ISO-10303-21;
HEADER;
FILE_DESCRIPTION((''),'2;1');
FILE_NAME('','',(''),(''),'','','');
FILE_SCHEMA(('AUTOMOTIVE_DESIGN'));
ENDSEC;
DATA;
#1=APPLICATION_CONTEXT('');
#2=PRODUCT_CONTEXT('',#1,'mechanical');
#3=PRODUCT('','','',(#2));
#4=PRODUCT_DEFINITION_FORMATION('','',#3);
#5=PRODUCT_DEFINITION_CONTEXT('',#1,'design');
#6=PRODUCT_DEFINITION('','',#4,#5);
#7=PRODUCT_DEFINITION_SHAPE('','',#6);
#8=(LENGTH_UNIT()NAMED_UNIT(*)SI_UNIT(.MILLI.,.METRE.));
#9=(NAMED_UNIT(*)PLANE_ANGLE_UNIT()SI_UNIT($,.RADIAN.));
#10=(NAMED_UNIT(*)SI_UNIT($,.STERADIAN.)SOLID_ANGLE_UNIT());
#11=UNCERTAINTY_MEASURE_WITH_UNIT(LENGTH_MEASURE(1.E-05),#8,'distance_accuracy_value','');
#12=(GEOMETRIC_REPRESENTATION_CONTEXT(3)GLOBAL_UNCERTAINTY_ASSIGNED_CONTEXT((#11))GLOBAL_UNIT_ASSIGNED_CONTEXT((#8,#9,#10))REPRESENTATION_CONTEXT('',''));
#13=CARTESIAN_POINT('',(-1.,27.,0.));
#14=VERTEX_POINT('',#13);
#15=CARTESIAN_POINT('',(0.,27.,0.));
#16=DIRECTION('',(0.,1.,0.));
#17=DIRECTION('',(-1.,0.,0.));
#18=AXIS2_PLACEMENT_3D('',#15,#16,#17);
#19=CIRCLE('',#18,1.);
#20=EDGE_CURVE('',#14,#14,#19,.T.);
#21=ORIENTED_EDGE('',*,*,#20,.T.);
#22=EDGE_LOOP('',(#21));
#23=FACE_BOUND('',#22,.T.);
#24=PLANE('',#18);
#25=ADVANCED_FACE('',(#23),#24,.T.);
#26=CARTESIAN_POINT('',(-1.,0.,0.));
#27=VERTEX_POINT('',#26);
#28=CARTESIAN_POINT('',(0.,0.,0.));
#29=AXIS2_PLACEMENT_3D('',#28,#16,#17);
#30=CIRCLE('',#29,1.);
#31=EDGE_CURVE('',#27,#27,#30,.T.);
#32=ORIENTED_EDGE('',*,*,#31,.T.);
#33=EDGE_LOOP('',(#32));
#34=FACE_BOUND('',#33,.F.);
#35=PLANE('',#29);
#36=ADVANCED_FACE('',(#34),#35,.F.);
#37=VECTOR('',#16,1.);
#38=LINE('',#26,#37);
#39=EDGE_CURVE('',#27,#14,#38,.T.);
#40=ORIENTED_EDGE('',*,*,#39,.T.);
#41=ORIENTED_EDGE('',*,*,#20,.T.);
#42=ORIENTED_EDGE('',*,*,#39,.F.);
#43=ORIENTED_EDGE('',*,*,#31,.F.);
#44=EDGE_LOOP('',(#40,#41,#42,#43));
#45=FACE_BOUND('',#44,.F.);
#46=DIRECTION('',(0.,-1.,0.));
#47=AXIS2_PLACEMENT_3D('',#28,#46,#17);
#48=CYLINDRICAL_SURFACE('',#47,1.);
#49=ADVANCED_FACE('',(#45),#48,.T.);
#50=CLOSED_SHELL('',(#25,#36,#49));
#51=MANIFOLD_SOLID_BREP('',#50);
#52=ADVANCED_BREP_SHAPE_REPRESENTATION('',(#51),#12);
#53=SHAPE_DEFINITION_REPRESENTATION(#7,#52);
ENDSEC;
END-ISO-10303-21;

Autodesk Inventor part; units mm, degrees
ref_plane "YZ Plane" through (0, 0, 0) normal (1, 0, 0) x (0, 1, 0)
ref_plane "XZ Plane" through (0, 0, 0) normal (0, 1, 0) x (-1, 0, 0)
ref_plane "XY Plane" through (0, 0, 0) normal (0, 0, 1) x (1, 0, 0)
sketch "Sketch4" plane through (0, 0, 0) normal (0, 1, 0) x (-1, 0, 0)
  circle A0 centre (0, 0) radius 1
  dimension "d6" = 2
extrude "Extrusion2" add sketch "Sketch4" along normal blind 27
properties part number "LaserBeam5"
